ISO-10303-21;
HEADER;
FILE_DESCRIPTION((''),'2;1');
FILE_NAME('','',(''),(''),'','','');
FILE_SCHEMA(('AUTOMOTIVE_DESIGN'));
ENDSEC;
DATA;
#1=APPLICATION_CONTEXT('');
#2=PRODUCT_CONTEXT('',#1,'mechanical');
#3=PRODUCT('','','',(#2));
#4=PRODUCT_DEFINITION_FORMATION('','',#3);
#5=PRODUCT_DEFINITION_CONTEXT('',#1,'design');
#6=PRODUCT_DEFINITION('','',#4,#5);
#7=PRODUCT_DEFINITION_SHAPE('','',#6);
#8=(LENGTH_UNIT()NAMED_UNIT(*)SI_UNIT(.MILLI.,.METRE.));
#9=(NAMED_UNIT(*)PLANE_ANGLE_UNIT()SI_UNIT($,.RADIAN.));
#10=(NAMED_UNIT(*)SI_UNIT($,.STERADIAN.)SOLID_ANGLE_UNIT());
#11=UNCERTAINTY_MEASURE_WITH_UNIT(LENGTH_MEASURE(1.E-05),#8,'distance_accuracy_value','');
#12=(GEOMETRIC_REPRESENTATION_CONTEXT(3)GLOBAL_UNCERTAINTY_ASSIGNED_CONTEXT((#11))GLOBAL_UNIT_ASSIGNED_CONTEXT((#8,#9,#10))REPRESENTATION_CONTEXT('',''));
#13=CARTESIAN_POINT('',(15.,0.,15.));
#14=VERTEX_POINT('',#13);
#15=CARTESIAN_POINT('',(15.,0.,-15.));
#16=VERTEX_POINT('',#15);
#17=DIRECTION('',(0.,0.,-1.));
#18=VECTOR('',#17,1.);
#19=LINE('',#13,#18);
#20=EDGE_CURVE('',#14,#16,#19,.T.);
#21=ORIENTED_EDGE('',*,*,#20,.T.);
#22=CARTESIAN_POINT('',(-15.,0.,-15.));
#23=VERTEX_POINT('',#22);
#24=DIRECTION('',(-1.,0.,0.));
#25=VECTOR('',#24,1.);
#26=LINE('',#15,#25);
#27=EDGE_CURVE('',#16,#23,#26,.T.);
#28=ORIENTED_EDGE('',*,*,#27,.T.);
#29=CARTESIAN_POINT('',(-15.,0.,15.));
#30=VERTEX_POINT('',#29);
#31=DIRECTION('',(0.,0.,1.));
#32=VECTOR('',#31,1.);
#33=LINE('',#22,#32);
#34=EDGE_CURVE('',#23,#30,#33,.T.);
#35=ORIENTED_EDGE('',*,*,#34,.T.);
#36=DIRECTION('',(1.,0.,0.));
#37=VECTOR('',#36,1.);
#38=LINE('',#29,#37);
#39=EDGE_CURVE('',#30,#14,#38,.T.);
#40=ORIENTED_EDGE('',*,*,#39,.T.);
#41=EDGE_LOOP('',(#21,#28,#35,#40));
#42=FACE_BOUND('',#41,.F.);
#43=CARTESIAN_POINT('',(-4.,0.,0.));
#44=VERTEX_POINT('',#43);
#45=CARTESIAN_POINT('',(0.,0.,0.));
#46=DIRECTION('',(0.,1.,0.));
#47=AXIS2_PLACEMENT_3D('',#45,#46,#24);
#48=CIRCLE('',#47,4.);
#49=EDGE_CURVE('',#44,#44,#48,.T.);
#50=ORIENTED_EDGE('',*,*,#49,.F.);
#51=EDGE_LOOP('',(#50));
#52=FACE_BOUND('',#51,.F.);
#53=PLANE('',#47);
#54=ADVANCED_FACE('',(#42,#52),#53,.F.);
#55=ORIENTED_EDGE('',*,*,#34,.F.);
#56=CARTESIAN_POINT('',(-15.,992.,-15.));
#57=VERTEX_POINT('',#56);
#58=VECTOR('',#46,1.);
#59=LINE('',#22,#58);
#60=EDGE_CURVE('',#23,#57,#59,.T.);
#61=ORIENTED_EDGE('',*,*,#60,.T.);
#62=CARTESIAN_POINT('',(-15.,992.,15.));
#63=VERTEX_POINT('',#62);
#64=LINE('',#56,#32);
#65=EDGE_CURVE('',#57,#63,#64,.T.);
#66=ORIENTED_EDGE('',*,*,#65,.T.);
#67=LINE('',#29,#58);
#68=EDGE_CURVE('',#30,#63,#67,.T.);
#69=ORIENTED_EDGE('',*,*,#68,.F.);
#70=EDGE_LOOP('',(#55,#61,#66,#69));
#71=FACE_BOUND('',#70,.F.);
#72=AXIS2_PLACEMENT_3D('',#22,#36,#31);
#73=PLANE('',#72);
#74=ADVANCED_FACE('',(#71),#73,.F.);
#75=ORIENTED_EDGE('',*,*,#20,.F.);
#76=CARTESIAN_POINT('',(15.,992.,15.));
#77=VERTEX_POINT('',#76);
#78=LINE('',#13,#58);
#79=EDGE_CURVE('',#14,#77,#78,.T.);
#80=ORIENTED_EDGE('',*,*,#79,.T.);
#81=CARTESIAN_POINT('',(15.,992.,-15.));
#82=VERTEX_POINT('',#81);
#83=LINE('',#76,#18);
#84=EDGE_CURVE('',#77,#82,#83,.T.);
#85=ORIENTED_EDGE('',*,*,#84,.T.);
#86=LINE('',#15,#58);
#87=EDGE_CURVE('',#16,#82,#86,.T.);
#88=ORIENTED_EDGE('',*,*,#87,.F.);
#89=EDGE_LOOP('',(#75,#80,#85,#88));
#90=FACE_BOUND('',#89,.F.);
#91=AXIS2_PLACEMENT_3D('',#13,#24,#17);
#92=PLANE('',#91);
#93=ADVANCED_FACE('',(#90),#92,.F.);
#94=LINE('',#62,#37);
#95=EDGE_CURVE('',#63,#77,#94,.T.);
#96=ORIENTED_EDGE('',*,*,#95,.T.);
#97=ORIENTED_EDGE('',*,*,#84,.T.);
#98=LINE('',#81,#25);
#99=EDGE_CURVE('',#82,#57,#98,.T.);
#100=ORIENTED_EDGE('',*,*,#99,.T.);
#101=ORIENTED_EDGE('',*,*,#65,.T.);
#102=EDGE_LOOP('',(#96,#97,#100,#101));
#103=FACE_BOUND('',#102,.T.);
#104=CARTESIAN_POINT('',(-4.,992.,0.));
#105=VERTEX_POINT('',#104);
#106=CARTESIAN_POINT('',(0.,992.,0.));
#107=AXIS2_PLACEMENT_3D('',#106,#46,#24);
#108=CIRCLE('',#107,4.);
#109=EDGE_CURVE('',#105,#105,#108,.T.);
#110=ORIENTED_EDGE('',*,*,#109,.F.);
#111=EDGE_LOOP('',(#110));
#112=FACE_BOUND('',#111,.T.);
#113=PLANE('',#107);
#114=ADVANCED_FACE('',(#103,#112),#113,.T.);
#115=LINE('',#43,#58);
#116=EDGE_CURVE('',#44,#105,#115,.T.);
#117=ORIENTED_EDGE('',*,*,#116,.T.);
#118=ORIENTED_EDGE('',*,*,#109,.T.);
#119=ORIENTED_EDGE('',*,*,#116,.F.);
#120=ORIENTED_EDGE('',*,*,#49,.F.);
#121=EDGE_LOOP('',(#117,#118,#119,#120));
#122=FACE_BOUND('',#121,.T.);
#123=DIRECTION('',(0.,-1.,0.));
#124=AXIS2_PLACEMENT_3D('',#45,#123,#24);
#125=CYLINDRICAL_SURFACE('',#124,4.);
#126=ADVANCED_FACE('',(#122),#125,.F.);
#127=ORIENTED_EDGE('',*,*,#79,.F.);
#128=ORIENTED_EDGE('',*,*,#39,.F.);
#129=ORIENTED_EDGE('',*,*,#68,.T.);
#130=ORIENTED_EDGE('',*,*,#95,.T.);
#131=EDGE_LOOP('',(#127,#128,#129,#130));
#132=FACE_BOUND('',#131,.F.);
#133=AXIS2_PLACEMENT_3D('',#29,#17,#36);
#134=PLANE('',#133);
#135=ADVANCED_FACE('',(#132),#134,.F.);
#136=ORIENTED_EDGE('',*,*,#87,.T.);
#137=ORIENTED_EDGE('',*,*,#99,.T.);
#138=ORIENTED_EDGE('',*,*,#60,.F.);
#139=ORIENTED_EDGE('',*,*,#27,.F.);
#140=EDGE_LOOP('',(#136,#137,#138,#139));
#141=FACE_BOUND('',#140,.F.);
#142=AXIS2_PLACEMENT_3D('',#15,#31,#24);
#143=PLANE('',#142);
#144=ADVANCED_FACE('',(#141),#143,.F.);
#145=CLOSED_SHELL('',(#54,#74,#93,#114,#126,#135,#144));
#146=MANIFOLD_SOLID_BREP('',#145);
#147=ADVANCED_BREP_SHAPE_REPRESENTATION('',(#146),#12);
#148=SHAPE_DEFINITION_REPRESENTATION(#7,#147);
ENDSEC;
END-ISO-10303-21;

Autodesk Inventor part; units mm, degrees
ref_plane "YZ Plane" through (0, 0, 0) normal (1, 0, 0) x (0, 1, 0)
ref_plane "XZ Plane" through (0, 0, 0) normal (0, 1, 0) x (-1, 0, 0)
ref_plane "XY Plane" through (0, 0, 0) normal (0, 0, 1) x (1, 0, 0)
sketch "Boceto1" plane through (0, 0, 0) normal (0, 1, 0) x (-1, 0, 0)
  line L0 (15, 15) -> (-15, 15)
  line L1 (-15, 15) -> (-15, -15)
  line L2 (-15, -15) -> (15, -15)
  line L3 (15, -15) -> (15, 15)
  line L4 (15, 15) -> (-15, -15) construction
  circle A0 centre (0, 0) radius 4
  dimension "d0" = 30
  dimension "d1" = 8
extrude "Extrusión1" add sketch "Boceto1" along normal blind 992
properties part number "P_3030_1500"
